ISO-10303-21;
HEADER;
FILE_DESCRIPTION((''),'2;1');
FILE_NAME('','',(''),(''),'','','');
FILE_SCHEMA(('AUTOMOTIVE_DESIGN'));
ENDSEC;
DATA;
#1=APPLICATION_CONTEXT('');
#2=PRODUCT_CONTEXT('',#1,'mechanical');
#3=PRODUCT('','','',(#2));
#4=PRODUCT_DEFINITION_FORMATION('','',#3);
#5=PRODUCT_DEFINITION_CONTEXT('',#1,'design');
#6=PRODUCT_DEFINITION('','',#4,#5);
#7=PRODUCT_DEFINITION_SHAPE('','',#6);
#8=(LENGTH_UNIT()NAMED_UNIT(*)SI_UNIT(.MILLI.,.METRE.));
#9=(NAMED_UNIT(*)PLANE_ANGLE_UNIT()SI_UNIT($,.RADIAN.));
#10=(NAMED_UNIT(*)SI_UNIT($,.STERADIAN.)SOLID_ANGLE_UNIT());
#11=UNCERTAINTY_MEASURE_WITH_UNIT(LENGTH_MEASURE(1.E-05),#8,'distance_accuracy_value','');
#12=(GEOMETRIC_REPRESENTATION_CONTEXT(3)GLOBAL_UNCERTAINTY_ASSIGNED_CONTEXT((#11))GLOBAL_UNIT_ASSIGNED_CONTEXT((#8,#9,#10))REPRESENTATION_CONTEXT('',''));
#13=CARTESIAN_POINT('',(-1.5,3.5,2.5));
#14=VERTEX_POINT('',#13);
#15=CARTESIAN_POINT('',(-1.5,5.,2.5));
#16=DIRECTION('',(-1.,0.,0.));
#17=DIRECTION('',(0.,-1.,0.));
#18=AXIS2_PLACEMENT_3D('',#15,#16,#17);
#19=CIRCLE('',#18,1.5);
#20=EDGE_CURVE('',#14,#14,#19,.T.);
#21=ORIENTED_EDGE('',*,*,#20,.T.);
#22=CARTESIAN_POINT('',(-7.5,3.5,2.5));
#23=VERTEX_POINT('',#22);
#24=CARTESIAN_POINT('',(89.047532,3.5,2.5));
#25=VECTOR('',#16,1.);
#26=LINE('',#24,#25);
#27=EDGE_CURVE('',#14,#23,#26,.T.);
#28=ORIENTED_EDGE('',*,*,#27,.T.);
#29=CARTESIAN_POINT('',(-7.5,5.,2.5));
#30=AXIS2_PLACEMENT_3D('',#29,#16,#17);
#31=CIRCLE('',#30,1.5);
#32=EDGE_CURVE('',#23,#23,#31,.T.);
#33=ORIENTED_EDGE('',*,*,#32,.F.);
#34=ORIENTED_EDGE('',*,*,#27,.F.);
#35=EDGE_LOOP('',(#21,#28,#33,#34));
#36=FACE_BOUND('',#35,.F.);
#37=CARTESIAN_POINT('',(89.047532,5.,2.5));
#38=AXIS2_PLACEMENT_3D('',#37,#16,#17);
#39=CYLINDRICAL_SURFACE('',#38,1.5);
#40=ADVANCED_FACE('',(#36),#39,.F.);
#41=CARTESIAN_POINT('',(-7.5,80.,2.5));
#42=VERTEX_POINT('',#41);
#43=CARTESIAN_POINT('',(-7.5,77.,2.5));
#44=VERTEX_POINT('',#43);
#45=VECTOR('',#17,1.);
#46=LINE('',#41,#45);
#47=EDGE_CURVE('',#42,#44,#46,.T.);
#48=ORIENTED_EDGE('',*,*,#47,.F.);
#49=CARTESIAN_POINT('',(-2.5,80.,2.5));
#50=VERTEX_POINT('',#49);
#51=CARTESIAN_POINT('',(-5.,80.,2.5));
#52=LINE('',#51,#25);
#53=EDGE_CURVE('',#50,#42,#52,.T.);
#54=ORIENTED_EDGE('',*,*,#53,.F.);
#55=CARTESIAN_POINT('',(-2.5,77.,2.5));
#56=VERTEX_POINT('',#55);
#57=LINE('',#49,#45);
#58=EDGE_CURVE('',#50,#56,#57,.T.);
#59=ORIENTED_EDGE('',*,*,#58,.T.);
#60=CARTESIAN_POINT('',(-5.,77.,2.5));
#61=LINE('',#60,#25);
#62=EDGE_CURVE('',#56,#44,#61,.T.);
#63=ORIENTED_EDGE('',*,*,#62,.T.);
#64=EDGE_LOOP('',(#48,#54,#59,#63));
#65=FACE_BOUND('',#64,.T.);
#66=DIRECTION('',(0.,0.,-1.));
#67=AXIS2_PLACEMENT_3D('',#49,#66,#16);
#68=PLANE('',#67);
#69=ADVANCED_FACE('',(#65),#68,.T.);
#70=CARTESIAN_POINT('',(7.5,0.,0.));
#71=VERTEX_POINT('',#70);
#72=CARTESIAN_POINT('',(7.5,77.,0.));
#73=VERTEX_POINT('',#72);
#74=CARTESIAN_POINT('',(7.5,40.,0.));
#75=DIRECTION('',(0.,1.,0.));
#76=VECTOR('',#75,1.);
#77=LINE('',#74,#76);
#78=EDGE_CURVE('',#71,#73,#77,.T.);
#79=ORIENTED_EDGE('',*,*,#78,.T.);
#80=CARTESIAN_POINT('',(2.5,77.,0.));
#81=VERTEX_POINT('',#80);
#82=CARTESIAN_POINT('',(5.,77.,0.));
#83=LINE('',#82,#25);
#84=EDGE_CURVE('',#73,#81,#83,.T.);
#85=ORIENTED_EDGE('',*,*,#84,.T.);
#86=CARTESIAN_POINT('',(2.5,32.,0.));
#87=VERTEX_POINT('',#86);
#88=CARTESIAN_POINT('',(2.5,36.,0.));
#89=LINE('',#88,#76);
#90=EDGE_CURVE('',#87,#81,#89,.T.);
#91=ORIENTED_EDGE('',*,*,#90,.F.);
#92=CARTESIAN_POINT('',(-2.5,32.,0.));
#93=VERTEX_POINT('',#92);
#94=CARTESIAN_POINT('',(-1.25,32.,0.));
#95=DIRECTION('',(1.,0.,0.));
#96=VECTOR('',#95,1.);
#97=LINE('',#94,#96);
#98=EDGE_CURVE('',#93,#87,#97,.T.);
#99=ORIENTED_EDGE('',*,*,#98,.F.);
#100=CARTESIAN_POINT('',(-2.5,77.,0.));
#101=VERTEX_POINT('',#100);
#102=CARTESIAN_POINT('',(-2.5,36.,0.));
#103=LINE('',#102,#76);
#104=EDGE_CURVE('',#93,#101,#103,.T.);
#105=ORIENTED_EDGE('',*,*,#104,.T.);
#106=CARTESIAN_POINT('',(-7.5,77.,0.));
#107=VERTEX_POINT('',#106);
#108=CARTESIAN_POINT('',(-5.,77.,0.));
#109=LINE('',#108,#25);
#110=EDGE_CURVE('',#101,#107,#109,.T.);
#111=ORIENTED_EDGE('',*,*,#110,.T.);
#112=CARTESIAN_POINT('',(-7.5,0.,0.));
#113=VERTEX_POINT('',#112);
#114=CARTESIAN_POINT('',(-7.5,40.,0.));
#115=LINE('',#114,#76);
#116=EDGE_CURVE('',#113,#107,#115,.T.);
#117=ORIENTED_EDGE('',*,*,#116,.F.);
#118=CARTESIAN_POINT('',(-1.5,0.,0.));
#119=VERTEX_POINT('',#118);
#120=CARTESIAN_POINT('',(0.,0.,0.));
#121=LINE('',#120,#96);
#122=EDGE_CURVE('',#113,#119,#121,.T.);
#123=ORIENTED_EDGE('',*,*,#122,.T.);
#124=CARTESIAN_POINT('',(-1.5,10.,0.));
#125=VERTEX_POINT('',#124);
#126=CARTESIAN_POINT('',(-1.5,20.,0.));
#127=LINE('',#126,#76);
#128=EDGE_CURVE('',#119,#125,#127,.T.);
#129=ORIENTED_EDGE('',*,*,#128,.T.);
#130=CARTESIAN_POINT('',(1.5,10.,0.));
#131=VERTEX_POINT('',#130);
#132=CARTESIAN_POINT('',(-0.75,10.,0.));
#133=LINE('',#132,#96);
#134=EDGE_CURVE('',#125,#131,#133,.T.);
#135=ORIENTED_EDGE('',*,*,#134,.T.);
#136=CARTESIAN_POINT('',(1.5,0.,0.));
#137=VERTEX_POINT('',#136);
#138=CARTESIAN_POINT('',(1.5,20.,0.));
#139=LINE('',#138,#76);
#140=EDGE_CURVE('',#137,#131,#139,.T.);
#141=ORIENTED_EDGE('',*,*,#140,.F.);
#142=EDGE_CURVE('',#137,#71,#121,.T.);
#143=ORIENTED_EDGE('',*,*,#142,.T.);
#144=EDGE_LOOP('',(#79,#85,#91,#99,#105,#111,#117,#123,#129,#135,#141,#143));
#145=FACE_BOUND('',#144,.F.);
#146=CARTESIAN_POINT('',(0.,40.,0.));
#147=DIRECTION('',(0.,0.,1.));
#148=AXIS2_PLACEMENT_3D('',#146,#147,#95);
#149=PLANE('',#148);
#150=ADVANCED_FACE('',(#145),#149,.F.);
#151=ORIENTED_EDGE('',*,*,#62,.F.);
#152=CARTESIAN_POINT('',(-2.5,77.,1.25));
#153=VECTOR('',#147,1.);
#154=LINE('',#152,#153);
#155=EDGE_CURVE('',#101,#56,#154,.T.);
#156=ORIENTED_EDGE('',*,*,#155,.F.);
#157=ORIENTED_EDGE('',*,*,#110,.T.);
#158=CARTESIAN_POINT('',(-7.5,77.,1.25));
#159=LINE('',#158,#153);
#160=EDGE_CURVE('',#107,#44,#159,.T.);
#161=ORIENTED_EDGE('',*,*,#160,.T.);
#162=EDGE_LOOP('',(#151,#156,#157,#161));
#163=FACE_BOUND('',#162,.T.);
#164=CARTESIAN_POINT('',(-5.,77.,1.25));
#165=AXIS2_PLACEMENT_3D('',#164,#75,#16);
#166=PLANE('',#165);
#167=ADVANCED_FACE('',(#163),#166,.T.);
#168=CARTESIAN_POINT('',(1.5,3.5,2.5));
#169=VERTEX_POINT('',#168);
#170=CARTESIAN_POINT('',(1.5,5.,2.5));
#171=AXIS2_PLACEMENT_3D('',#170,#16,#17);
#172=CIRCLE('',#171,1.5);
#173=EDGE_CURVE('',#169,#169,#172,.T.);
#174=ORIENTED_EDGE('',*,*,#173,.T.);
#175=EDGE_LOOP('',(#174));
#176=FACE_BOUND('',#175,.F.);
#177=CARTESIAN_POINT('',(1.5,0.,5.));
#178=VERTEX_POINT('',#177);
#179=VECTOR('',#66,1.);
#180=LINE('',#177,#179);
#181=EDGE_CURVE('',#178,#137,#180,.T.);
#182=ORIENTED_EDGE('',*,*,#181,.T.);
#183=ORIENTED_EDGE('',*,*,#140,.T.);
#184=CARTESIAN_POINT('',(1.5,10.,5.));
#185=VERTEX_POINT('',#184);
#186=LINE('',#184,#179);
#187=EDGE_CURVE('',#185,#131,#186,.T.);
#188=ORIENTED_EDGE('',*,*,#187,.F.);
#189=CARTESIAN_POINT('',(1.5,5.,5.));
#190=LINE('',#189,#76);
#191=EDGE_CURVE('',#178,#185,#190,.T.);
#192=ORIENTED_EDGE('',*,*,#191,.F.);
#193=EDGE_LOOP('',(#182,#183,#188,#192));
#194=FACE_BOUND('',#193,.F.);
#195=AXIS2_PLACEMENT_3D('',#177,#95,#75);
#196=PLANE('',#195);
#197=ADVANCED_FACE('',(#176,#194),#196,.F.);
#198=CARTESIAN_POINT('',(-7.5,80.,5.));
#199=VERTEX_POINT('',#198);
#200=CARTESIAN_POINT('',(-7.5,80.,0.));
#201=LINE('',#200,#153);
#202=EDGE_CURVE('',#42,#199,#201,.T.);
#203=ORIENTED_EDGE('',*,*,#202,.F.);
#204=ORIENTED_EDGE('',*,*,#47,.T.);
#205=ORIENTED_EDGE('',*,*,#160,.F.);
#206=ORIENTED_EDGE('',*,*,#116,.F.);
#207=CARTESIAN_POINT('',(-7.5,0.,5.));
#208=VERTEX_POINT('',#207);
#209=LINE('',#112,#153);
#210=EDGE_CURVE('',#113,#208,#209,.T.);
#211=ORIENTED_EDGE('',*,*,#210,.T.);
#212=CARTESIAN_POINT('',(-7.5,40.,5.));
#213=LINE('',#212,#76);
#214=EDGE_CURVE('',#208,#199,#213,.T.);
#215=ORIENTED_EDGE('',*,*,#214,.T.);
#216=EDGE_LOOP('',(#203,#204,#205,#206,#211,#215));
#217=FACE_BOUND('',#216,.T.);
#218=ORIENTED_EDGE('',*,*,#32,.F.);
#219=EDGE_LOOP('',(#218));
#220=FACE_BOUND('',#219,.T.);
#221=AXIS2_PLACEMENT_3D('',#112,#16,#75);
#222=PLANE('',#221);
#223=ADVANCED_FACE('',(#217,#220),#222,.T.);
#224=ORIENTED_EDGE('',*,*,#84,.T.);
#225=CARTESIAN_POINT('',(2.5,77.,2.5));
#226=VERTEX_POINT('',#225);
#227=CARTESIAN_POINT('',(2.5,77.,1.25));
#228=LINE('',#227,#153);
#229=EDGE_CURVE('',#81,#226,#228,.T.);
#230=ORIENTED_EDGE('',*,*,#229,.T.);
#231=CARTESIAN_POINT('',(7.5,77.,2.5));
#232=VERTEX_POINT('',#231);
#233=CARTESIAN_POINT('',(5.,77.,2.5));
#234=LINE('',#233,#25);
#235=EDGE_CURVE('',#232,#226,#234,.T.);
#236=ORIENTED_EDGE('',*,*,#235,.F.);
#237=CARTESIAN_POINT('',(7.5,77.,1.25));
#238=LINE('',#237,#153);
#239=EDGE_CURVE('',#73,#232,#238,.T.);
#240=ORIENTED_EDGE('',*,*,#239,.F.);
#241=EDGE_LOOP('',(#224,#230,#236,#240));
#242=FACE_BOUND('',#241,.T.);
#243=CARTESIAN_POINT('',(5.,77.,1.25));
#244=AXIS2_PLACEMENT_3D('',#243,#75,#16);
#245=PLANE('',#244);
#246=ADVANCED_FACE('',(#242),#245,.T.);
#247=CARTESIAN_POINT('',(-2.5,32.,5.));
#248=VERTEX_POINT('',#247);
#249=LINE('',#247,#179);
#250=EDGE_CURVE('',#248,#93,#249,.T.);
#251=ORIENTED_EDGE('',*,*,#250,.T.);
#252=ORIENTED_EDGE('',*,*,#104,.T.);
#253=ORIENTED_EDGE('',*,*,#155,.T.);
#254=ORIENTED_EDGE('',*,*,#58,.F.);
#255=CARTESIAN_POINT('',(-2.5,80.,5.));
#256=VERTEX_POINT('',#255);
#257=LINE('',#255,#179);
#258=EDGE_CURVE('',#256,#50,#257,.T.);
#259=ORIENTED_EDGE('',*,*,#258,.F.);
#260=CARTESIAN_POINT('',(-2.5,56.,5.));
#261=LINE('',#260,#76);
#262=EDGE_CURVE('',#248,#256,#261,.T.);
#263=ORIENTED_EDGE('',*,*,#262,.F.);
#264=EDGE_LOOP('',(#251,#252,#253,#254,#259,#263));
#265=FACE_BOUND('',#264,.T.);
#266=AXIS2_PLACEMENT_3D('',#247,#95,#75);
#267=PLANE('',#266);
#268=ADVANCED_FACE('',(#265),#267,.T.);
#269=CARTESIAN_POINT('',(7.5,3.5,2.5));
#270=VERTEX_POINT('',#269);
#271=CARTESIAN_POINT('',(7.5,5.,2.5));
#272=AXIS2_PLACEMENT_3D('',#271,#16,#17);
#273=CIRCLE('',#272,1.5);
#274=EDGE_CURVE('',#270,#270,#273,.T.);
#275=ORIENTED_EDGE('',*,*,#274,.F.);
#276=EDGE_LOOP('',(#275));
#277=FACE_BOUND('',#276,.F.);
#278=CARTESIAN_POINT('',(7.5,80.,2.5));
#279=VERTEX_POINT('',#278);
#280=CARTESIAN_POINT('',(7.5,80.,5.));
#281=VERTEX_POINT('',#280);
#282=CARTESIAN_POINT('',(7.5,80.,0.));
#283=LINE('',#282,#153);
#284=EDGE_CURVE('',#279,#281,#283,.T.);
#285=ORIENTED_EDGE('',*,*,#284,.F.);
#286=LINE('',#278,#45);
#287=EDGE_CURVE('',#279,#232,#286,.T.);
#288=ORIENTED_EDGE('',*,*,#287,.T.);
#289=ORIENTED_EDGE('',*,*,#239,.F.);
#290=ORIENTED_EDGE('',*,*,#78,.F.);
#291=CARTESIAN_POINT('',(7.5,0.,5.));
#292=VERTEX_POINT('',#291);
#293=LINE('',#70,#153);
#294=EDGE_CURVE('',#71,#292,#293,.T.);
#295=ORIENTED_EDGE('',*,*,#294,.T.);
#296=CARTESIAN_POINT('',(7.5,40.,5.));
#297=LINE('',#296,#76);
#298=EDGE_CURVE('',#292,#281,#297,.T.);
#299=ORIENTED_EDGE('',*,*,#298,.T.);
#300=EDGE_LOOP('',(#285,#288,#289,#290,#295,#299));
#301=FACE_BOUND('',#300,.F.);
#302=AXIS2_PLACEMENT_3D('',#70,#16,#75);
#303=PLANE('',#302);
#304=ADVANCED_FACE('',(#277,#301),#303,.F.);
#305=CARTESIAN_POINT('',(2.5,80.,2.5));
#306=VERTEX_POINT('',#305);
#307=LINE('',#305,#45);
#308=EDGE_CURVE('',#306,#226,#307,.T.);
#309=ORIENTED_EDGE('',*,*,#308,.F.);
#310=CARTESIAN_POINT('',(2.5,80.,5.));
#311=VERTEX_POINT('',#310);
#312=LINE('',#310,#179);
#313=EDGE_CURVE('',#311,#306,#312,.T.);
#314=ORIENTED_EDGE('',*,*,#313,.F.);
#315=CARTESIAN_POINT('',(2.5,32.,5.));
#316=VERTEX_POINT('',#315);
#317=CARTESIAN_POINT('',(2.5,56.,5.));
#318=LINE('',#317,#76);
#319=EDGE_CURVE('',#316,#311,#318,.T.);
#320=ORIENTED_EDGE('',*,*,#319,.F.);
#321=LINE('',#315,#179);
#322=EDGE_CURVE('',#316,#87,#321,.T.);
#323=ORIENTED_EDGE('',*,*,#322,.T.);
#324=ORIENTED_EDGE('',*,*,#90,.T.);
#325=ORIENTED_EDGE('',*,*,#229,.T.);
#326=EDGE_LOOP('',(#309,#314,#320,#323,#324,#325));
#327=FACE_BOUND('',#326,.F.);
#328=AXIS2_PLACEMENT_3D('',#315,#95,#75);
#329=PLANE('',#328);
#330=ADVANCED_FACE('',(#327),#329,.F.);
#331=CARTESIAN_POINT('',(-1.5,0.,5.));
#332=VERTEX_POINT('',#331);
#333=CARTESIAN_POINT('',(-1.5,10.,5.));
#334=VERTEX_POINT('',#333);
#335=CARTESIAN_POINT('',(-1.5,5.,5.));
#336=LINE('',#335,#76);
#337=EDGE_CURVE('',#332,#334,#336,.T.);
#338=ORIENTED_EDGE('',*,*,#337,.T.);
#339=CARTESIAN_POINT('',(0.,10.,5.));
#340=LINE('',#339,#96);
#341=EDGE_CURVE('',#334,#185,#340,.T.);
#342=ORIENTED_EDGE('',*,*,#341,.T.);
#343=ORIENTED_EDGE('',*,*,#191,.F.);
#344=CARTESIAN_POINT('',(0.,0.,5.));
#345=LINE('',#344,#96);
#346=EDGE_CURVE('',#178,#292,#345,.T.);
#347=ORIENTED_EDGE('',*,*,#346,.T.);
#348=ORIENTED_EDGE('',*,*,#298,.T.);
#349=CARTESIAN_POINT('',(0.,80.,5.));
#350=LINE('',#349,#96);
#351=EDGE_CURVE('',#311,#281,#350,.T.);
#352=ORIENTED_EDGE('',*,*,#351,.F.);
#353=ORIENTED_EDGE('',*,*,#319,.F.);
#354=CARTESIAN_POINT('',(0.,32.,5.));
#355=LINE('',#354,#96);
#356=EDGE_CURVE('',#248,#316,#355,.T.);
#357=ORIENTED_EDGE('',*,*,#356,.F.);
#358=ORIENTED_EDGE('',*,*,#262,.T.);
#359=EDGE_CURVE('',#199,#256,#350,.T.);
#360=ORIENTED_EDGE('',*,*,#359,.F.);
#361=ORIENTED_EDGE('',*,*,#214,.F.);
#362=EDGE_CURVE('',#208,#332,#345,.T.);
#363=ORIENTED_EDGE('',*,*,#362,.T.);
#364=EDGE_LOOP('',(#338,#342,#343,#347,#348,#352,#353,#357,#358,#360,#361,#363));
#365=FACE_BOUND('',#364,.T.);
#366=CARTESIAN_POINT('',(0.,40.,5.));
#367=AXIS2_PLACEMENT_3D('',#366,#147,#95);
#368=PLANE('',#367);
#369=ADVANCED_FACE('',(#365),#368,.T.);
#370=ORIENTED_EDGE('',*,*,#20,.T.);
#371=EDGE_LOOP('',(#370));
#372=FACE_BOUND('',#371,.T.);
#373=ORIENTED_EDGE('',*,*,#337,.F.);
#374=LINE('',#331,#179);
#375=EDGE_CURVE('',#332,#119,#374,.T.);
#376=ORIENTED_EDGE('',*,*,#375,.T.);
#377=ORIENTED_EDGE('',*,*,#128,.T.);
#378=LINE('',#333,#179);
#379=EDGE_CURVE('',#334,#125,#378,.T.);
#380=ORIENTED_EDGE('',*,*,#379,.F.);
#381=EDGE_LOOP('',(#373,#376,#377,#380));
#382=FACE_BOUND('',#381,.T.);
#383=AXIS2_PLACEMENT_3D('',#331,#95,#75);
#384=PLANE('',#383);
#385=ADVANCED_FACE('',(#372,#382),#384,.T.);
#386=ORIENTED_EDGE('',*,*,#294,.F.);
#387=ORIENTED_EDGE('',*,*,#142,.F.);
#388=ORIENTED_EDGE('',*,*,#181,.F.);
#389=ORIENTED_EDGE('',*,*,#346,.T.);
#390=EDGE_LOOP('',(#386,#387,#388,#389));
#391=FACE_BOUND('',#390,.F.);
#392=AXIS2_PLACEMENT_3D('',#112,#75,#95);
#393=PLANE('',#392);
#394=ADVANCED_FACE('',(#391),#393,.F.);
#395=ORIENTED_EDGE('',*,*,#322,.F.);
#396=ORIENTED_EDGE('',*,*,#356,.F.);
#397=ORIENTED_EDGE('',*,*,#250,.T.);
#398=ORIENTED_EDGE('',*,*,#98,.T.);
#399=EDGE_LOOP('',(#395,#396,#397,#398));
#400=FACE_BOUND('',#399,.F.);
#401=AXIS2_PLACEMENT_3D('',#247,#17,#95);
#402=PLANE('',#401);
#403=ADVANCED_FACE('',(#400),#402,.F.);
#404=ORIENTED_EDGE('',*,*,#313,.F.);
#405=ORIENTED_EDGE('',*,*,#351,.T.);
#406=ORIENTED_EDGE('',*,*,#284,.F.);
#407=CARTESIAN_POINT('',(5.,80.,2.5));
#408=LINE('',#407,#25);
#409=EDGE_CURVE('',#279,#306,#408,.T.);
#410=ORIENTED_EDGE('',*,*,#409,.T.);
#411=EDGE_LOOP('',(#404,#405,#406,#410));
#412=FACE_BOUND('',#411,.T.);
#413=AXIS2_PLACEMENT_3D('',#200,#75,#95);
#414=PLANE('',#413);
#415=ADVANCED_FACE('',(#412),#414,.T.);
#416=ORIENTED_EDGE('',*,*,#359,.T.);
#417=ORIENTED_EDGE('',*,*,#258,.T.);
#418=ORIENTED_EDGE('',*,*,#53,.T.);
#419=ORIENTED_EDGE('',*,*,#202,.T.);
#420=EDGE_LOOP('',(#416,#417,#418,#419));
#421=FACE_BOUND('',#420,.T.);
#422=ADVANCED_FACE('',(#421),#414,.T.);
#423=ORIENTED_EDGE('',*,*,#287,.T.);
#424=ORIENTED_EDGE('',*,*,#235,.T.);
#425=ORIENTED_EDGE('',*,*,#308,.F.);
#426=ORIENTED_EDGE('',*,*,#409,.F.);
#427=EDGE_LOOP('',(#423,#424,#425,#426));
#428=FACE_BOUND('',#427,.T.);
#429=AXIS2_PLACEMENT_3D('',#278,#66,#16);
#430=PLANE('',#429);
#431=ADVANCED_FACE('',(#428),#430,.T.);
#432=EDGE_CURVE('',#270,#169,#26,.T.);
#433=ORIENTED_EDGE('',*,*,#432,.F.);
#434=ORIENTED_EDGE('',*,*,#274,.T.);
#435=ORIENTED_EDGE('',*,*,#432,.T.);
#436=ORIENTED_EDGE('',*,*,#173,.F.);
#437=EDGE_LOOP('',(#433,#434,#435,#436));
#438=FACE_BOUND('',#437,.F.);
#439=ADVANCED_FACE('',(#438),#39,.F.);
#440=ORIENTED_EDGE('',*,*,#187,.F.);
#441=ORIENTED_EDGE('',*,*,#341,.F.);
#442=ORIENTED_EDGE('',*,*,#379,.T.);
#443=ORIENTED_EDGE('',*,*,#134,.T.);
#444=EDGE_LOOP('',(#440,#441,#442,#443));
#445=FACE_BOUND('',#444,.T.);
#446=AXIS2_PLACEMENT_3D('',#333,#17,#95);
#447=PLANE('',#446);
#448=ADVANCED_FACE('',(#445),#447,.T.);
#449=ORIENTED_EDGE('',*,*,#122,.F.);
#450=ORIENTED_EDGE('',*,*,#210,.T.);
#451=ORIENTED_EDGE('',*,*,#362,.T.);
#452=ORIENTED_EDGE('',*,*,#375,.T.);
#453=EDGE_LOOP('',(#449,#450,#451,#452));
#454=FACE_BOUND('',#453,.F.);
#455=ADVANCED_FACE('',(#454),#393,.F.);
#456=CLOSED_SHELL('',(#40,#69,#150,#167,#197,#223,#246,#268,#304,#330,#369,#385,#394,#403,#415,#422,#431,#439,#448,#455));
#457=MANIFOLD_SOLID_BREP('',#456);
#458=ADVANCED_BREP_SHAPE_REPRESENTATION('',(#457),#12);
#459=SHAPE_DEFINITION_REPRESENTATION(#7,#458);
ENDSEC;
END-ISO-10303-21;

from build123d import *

# Parameters (mm, degrees)
F0_W     = 15
F0_H     = 80
F1_DEPTH = 5
F2_W     = 5
F2_H     = 48
F3_DEPTH = 25
F4_W     = 5
F4_H     = 2.5
F5_DEPTH = 3
F6_W     = 5
F6_H     = 2.5
F7_DEPTH = 3
F8_W     = 3
F8_H     = 10
F9_DEPTH = 25
F11_D    = 3


with BuildPart() as f1:
    # F0 (on Top) → F1 (new body)
    with BuildSketch(Plane.XY):
        with Locations((0, 40)):
            Rectangle(F0_W, F0_H)
    extrude(amount=F1_DEPTH)

    # F2 (on face) → F3 (cut)
    with BuildSketch(Plane.XY.offset(5)):
        with Locations((0, 56)):
            Rectangle(F2_W, F2_H)
    extrude(amount=-F3_DEPTH, mode=Mode.SUBTRACT)

    # F4 (on face) → F5 (cut)
    with BuildSketch(Plane(origin=(0, 80, 0), x_dir=(-1, 0, 0), z_dir=(0, 1, 0))):
        with Locations((5, 1.25)):
            Rectangle(F4_W, F4_H)
    extrude(amount=-F5_DEPTH, mode=Mode.SUBTRACT)

    # F6 (on face) → F7 (cut)
    with BuildSketch(Plane(origin=(0, 80, 0), x_dir=(-1, 0, 0), z_dir=(0, 1, 0))):
        with Locations((-5, 1.25)):
            Rectangle(F6_W, F6_H)
    extrude(amount=-F7_DEPTH, mode=Mode.SUBTRACT)

    # F8 (on face) → F9 (cut)
    with BuildSketch(Plane.XY.offset(5)):
        with Locations((0, 5)):
            Rectangle(F8_W, F8_H)
    extrude(amount=-F9_DEPTH, mode=Mode.SUBTRACT)

    # F11 (through all)
    with Locations(Plane.YZ.offset(7.5)):
        with Locations((5, 2.5)):
            Hole(F11_D / 2)


solid = f1.part
